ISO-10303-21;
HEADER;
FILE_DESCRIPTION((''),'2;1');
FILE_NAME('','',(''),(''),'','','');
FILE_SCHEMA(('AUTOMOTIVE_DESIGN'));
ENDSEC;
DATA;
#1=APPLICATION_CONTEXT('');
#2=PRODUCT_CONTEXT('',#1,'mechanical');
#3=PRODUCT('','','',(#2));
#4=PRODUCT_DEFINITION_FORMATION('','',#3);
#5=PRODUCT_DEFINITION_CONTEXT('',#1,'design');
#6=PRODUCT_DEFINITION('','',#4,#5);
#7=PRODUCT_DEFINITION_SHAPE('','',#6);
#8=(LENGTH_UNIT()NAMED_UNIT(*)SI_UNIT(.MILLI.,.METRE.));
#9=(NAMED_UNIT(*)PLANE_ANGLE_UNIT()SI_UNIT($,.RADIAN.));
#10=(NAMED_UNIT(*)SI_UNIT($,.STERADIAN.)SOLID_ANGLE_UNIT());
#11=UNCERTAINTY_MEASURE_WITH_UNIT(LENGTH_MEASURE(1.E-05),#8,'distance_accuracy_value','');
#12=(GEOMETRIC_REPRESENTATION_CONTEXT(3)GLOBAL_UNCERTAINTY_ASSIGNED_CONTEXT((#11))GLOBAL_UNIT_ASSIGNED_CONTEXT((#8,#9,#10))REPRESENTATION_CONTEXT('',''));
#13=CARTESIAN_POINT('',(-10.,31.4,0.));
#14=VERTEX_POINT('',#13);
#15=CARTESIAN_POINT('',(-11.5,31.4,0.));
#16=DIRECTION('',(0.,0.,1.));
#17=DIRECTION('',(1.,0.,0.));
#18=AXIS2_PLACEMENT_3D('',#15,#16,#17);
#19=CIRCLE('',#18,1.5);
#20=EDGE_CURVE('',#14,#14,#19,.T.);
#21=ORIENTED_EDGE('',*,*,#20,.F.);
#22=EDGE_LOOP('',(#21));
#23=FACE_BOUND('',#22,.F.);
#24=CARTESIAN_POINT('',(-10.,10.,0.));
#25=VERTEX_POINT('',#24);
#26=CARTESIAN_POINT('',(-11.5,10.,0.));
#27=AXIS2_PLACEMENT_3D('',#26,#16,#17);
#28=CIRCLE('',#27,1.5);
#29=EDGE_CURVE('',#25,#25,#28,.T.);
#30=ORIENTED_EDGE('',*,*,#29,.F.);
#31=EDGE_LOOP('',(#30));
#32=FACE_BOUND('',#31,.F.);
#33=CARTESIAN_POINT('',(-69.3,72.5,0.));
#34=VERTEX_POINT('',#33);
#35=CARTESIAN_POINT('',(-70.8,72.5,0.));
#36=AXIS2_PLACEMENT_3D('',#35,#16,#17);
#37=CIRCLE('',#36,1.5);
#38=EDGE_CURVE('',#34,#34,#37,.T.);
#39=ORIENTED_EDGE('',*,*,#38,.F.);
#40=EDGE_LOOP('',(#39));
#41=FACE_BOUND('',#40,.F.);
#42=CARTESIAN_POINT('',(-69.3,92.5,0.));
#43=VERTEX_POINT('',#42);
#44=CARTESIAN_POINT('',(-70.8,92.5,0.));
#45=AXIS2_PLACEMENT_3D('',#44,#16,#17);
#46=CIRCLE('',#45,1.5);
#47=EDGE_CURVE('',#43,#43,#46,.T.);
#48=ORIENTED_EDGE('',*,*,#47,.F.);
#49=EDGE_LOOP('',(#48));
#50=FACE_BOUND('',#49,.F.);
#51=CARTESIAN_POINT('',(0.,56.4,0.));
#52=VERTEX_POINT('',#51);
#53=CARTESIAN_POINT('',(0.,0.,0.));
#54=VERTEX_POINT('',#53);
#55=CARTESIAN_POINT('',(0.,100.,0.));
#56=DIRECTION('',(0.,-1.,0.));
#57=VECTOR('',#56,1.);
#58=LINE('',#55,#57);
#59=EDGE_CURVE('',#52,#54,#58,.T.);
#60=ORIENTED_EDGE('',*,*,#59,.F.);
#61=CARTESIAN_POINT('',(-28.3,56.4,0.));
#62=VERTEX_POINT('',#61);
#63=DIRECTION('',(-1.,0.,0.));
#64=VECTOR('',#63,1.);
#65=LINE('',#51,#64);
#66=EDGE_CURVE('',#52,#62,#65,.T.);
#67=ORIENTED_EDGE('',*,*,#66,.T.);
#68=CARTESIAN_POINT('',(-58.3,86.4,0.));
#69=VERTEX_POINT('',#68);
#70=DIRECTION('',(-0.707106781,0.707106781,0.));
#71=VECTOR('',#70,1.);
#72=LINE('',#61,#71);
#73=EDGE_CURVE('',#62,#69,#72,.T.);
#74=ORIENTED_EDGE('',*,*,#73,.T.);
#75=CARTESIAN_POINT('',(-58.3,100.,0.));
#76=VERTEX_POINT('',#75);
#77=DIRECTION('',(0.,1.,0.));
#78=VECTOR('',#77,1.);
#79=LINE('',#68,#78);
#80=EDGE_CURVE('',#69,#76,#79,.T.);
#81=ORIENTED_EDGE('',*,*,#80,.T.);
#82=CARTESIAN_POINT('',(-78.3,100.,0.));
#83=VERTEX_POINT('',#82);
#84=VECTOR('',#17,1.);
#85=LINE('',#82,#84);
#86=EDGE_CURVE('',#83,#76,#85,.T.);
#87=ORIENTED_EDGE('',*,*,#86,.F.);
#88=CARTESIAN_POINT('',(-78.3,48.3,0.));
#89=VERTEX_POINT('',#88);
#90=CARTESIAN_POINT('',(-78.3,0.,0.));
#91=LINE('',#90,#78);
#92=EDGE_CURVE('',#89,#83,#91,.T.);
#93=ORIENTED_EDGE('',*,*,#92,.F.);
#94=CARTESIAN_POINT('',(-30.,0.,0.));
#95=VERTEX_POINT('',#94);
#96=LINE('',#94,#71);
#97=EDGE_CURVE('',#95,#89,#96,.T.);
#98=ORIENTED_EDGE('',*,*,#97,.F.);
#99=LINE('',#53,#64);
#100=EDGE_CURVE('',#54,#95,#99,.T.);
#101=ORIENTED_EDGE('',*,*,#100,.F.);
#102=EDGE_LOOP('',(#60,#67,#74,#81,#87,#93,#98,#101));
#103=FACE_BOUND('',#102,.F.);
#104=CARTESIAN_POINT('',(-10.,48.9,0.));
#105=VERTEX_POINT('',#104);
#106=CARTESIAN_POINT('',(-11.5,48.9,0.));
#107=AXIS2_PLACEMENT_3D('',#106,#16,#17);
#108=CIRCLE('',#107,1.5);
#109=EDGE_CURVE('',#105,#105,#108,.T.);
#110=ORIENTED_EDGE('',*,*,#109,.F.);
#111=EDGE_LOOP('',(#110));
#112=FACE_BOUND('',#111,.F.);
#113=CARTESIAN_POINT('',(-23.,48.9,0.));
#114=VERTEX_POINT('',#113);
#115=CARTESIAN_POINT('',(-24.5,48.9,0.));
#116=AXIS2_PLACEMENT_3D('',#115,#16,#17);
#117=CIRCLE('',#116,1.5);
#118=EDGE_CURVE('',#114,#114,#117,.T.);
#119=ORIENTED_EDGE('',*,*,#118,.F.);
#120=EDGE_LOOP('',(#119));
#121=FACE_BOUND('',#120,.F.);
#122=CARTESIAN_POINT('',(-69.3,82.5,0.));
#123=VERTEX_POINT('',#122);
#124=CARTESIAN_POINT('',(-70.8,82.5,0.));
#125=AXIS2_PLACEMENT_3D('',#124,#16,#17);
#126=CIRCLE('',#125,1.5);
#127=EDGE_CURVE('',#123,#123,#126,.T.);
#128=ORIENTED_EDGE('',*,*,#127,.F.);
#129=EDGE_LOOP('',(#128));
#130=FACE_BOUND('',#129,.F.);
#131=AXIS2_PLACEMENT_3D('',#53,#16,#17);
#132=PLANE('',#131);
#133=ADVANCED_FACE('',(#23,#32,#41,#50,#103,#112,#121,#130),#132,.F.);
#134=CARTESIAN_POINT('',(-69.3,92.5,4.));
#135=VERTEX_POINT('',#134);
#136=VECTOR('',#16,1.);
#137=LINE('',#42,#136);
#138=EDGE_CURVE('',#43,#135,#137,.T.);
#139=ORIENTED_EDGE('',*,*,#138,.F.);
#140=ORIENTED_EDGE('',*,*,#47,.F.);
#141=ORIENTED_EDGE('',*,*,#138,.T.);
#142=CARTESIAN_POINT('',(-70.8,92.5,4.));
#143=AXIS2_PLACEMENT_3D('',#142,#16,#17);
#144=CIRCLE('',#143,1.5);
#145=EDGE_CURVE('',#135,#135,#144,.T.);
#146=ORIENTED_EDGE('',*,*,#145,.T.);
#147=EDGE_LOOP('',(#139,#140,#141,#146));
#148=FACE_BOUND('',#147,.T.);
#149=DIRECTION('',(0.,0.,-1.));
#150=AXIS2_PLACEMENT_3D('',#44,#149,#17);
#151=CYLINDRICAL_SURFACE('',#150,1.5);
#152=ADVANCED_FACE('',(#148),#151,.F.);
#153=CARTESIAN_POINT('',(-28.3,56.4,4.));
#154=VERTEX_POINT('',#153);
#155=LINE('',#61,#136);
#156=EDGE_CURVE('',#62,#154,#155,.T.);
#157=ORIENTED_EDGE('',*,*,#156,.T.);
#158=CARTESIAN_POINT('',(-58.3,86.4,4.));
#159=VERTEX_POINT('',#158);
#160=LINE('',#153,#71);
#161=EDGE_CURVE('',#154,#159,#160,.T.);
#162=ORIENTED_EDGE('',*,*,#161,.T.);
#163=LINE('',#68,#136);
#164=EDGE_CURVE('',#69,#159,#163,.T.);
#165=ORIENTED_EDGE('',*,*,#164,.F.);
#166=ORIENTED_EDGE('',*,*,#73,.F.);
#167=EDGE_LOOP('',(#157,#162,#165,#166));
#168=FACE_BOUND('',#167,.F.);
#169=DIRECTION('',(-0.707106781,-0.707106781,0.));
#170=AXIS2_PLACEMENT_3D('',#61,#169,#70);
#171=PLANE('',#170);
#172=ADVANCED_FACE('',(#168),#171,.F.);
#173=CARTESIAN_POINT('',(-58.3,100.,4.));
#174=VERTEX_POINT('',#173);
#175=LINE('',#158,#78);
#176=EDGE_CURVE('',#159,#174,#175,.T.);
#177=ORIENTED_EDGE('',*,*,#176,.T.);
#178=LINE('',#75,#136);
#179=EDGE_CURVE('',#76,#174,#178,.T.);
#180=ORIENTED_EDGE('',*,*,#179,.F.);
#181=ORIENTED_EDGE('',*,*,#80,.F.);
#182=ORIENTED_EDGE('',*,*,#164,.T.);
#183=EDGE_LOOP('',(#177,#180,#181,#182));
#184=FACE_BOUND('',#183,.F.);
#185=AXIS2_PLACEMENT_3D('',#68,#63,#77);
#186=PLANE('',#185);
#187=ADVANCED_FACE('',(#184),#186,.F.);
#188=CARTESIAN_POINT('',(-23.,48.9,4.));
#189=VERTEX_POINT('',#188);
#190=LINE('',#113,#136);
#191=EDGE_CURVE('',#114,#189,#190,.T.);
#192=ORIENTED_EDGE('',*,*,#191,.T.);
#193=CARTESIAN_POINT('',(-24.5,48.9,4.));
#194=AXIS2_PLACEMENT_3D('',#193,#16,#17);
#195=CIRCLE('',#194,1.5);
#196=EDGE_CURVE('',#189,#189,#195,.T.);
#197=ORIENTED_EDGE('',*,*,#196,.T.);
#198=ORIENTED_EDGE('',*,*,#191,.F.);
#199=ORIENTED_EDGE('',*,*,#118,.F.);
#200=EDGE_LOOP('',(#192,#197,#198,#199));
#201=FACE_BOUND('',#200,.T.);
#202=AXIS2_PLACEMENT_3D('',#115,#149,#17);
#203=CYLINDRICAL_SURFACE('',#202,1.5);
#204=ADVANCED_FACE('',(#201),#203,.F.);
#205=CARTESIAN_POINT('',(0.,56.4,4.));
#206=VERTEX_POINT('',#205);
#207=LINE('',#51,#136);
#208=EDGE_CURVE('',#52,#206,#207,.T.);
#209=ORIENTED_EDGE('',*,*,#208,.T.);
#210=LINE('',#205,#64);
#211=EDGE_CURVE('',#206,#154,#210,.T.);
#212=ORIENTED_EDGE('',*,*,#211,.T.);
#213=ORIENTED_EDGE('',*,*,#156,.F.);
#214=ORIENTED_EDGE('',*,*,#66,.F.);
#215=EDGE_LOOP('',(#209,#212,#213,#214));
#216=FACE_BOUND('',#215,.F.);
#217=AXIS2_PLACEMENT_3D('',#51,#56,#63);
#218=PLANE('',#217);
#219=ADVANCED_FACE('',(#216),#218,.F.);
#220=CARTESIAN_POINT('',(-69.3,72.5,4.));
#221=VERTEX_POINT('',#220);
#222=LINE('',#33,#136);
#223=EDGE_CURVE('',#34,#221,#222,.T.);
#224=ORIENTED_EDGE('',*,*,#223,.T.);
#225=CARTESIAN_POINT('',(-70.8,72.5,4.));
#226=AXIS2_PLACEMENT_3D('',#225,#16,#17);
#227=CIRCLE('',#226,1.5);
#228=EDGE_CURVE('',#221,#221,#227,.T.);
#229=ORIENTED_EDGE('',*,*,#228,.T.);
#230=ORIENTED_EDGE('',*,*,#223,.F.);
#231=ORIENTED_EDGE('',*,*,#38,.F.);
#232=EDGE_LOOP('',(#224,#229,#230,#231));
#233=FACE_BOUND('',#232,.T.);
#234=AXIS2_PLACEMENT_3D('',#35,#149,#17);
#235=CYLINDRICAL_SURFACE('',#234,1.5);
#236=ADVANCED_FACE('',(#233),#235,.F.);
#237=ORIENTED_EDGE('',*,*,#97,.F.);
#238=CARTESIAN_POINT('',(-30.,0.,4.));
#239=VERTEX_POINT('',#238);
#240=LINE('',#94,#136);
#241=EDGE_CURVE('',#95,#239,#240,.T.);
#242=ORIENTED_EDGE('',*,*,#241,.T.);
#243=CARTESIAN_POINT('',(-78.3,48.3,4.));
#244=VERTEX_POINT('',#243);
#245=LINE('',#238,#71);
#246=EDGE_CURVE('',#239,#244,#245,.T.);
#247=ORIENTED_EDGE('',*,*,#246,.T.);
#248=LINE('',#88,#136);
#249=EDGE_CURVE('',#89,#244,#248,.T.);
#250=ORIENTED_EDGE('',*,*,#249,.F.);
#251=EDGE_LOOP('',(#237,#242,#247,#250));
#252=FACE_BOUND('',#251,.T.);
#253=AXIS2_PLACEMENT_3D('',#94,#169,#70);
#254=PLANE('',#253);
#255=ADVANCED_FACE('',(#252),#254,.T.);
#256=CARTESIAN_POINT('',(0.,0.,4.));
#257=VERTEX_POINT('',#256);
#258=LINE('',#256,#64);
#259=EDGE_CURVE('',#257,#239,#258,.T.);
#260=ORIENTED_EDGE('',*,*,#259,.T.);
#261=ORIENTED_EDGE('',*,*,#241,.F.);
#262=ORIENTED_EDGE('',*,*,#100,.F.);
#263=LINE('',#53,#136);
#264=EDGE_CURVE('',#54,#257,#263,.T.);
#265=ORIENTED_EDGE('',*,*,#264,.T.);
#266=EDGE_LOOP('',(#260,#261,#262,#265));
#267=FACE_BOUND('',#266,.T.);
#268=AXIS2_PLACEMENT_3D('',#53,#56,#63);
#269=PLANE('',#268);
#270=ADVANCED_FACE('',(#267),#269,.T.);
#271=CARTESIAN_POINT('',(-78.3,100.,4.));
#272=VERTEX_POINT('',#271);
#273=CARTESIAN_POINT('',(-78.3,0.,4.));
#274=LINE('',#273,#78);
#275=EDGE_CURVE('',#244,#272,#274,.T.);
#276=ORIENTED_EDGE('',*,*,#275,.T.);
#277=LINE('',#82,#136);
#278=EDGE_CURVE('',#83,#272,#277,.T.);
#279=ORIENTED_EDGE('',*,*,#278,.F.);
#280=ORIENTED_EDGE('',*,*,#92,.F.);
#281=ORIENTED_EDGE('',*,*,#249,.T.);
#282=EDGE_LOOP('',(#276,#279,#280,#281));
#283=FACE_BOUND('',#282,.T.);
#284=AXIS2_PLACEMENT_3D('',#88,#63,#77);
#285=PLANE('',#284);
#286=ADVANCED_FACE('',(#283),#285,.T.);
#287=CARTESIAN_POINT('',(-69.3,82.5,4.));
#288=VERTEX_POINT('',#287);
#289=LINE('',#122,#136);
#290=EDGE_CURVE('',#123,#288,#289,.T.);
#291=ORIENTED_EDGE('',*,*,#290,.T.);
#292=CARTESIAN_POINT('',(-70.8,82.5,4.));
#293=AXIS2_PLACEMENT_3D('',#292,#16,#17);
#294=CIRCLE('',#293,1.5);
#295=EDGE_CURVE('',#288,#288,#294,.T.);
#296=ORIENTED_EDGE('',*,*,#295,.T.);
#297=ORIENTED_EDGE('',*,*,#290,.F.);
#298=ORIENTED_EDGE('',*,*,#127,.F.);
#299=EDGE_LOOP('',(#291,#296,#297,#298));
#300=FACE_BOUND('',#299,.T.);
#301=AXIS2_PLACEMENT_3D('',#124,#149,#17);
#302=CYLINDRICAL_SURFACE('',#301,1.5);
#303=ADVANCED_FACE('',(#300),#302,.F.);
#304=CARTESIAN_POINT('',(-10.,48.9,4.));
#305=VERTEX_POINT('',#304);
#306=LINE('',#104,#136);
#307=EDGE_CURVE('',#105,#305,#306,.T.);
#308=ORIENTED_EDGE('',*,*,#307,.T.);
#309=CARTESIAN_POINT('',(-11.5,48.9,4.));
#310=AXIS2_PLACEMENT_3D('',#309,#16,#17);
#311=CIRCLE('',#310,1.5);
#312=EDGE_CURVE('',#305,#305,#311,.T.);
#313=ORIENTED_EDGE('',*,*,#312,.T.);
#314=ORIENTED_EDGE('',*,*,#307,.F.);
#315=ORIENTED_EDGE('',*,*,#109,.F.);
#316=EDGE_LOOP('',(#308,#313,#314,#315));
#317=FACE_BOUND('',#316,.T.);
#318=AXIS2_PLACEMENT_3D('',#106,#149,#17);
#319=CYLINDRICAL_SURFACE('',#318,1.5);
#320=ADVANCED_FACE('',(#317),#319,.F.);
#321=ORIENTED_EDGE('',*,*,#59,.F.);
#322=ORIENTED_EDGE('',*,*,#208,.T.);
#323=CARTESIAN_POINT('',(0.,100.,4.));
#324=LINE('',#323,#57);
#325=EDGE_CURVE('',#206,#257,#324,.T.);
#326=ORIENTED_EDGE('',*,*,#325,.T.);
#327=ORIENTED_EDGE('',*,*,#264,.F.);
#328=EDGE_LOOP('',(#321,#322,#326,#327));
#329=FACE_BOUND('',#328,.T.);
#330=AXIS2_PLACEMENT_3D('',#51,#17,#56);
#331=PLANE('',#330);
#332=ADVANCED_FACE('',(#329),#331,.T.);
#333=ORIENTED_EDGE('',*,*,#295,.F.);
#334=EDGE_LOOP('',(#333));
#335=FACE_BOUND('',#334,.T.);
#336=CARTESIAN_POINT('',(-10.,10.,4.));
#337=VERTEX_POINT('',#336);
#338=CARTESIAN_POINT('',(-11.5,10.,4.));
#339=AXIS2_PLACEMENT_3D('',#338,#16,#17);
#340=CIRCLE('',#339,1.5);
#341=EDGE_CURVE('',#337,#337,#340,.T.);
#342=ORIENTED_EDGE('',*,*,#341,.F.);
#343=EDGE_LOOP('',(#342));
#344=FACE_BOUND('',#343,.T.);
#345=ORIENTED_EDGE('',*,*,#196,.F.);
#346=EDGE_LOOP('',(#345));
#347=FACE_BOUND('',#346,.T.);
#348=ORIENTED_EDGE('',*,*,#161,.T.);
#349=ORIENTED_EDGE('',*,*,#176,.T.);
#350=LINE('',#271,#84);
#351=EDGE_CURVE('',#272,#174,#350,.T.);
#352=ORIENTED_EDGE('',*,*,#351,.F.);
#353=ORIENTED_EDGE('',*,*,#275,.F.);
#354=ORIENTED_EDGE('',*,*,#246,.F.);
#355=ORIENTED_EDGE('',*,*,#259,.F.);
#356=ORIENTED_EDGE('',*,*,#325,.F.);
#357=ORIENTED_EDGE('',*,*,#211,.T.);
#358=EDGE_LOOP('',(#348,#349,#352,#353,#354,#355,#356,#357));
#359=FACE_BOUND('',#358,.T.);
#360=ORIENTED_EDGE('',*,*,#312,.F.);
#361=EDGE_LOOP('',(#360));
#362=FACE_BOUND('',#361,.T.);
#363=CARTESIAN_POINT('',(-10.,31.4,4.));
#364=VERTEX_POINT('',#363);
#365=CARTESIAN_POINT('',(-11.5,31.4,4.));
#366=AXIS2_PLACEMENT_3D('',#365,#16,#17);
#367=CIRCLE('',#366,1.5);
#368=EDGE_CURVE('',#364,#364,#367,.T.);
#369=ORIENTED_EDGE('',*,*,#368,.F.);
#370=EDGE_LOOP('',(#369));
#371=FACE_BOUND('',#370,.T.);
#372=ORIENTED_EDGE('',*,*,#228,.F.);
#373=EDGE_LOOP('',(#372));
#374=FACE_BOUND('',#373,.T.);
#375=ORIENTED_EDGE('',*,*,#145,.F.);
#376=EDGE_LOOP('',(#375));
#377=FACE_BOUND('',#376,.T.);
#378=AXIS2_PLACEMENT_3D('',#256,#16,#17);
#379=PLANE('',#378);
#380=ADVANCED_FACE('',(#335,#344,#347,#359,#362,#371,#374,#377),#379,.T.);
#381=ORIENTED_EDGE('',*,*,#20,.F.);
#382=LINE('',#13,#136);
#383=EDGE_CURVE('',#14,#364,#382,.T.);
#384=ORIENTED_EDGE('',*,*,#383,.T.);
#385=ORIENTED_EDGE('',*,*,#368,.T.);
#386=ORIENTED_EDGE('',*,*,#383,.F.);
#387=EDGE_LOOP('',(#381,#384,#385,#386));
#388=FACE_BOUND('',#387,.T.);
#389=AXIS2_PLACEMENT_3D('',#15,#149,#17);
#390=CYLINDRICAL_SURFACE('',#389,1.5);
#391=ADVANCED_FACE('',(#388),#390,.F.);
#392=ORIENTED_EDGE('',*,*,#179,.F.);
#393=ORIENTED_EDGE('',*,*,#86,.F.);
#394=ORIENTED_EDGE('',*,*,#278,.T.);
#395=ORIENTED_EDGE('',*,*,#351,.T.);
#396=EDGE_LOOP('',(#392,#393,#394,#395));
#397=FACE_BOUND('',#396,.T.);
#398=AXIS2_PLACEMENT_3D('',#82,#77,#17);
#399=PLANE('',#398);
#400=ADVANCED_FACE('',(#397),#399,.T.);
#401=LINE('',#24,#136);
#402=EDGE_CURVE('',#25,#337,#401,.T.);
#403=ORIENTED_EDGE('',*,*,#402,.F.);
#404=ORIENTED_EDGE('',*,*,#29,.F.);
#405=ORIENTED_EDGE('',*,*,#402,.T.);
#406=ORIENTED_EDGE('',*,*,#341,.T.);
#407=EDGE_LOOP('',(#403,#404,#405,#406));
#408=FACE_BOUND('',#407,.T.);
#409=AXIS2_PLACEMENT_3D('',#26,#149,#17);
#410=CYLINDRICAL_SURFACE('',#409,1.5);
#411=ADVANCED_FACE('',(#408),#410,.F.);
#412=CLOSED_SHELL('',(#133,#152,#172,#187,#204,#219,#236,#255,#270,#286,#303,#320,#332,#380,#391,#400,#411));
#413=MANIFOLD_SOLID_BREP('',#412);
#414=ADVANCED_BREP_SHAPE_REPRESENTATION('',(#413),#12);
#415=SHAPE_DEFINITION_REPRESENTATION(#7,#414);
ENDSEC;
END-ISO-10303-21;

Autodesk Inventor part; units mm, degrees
ref_plane "YZ Plane" through (0, 0, 0) normal (1, 0, 0) x (0, 1, 0)
ref_plane "XZ Plane" through (0, 0, 0) normal (0, 1, 0) x (-1, 0, 0)
ref_plane "XY Plane" through (0, 0, 0) normal (0, 0, 1) x (1, 0, 0)
sketch "Sketch1" plane through (0, 0, 0) normal (0, 0, 1) x (1, 0, 0)
  line L0 (0, 0) -> (-78.3, 0)
  line L1 (-78.3, 0) -> (-78.3, 100)
  line L2 (-78.3, 100) -> (0, 100)
  line L3 (0, 100) -> (0, 0)
  circle A0 centre (-11.5, 10) radius 1.5
  circle A1 centre (-11.5, 31.4) radius 1.5
  circle A2 centre (-11.5, 48.9) radius 1.5
  circle A3 centre (-24.5, 48.9) radius 1.5
  circle A4 centre (-70.8, 92.5) radius 1.5
  circle A5 centre (-70.8, 82.5) radius 1.5
  circle A6 centre (-70.8, 72.5) radius 1.5
  line L4 (0, 56.4) -> (-28.3, 56.4)
  line L5 (-28.3, 56.4) -> (-58.3, 86.4)
  line L6 (-58.3, 86.4) -> (-58.3, 100)
  line L7 (-30, 0) -> (-78.3, 48.3)
  dimension "d0" = 100
  dimension "d1" = 78.3
  dimension "d2" = 3
  dimension "d3" = 3
  dimension "d4" = 3
  dimension "d5" = 3
  dimension "d6" = 3
  dimension "d7" = 3
  dimension "d8" = 3
  dimension "d9" = 7.5
  dimension "d10" = 7.5
  dimension "d11" = 7.5
  dimension "d12" = 7.5
  dimension "d13" = 10
  dimension "d14" = 10
  dimension "d15" = 11.5
  dimension "d16" = 10
  dimension "d17" = 11.5
  dimension "d18" = 11.5
  dimension "d19" = 21.4
  dimension "d20" = 17.5
  dimension "d23" = 28.3
  dimension "d24" = 135
  dimension "d25" = 135
  dimension "d26" = 48.3
  dimension "d27" = 56.4
  dimension "d28" = 20
  dimension "d31" = 13
  dimension "d32" = 17.5
extrude "Extrusion1" add sketch "Sketch1" along normal blind 4 contours L0 L7 L1 L2 L6 L5 L4 L3
sketch "Sketch2" plane through (0, 0, 4) normal (0, 0, 1) x (1, 0, 0)
  line L0 (-58.3, 86.4) -> (-58.3, 100) projected
  line L1 (-58.3, 100) -> (-78.3, 100) projected
  line L2 (-78.3, 100) -> (-78.3, 48.3) projected
  line L3 (-78.3, 48.3) -> (-30, 0) projected
  line L4 (-30, 0) -> (0, 0) projected
  line L5 (0, 0) -> (0, 56.4) projected
  line L6 (0, 56.4) -> (-28.3, 56.4) projected
  line L7 (-28.3, 56.4) -> (-58.3, 86.4) projected
  circle A0 centre (-11.5, 10) radius 1.5 projected
  circle A1 centre (-11.5, 31.4) radius 1.5 projected
  circle A2 centre (-11.5, 48.9) radius 1.5 projected
  circle A3 centre (-24.5, 48.9) radius 1.5 projected
  circle A4 centre (-70.8, 92.5) radius 1.5 projected
  circle A5 centre (-70.8, 82.5) radius 1.5 projected
  circle A6 centre (-70.8, 72.5) radius 1.5 projected
equation "\"d10\" = d9"
equation "\"d11\" = d9"
equation "\"d12\" = d11"
equation "\"d14\" = d13"
equation "\"d17\" = d15"
equation "\"d18\" = d15"
equation "\"d25\" = d24"
properties part number "Plate_standard_3D" material "Aluminum 6061, Welded"
